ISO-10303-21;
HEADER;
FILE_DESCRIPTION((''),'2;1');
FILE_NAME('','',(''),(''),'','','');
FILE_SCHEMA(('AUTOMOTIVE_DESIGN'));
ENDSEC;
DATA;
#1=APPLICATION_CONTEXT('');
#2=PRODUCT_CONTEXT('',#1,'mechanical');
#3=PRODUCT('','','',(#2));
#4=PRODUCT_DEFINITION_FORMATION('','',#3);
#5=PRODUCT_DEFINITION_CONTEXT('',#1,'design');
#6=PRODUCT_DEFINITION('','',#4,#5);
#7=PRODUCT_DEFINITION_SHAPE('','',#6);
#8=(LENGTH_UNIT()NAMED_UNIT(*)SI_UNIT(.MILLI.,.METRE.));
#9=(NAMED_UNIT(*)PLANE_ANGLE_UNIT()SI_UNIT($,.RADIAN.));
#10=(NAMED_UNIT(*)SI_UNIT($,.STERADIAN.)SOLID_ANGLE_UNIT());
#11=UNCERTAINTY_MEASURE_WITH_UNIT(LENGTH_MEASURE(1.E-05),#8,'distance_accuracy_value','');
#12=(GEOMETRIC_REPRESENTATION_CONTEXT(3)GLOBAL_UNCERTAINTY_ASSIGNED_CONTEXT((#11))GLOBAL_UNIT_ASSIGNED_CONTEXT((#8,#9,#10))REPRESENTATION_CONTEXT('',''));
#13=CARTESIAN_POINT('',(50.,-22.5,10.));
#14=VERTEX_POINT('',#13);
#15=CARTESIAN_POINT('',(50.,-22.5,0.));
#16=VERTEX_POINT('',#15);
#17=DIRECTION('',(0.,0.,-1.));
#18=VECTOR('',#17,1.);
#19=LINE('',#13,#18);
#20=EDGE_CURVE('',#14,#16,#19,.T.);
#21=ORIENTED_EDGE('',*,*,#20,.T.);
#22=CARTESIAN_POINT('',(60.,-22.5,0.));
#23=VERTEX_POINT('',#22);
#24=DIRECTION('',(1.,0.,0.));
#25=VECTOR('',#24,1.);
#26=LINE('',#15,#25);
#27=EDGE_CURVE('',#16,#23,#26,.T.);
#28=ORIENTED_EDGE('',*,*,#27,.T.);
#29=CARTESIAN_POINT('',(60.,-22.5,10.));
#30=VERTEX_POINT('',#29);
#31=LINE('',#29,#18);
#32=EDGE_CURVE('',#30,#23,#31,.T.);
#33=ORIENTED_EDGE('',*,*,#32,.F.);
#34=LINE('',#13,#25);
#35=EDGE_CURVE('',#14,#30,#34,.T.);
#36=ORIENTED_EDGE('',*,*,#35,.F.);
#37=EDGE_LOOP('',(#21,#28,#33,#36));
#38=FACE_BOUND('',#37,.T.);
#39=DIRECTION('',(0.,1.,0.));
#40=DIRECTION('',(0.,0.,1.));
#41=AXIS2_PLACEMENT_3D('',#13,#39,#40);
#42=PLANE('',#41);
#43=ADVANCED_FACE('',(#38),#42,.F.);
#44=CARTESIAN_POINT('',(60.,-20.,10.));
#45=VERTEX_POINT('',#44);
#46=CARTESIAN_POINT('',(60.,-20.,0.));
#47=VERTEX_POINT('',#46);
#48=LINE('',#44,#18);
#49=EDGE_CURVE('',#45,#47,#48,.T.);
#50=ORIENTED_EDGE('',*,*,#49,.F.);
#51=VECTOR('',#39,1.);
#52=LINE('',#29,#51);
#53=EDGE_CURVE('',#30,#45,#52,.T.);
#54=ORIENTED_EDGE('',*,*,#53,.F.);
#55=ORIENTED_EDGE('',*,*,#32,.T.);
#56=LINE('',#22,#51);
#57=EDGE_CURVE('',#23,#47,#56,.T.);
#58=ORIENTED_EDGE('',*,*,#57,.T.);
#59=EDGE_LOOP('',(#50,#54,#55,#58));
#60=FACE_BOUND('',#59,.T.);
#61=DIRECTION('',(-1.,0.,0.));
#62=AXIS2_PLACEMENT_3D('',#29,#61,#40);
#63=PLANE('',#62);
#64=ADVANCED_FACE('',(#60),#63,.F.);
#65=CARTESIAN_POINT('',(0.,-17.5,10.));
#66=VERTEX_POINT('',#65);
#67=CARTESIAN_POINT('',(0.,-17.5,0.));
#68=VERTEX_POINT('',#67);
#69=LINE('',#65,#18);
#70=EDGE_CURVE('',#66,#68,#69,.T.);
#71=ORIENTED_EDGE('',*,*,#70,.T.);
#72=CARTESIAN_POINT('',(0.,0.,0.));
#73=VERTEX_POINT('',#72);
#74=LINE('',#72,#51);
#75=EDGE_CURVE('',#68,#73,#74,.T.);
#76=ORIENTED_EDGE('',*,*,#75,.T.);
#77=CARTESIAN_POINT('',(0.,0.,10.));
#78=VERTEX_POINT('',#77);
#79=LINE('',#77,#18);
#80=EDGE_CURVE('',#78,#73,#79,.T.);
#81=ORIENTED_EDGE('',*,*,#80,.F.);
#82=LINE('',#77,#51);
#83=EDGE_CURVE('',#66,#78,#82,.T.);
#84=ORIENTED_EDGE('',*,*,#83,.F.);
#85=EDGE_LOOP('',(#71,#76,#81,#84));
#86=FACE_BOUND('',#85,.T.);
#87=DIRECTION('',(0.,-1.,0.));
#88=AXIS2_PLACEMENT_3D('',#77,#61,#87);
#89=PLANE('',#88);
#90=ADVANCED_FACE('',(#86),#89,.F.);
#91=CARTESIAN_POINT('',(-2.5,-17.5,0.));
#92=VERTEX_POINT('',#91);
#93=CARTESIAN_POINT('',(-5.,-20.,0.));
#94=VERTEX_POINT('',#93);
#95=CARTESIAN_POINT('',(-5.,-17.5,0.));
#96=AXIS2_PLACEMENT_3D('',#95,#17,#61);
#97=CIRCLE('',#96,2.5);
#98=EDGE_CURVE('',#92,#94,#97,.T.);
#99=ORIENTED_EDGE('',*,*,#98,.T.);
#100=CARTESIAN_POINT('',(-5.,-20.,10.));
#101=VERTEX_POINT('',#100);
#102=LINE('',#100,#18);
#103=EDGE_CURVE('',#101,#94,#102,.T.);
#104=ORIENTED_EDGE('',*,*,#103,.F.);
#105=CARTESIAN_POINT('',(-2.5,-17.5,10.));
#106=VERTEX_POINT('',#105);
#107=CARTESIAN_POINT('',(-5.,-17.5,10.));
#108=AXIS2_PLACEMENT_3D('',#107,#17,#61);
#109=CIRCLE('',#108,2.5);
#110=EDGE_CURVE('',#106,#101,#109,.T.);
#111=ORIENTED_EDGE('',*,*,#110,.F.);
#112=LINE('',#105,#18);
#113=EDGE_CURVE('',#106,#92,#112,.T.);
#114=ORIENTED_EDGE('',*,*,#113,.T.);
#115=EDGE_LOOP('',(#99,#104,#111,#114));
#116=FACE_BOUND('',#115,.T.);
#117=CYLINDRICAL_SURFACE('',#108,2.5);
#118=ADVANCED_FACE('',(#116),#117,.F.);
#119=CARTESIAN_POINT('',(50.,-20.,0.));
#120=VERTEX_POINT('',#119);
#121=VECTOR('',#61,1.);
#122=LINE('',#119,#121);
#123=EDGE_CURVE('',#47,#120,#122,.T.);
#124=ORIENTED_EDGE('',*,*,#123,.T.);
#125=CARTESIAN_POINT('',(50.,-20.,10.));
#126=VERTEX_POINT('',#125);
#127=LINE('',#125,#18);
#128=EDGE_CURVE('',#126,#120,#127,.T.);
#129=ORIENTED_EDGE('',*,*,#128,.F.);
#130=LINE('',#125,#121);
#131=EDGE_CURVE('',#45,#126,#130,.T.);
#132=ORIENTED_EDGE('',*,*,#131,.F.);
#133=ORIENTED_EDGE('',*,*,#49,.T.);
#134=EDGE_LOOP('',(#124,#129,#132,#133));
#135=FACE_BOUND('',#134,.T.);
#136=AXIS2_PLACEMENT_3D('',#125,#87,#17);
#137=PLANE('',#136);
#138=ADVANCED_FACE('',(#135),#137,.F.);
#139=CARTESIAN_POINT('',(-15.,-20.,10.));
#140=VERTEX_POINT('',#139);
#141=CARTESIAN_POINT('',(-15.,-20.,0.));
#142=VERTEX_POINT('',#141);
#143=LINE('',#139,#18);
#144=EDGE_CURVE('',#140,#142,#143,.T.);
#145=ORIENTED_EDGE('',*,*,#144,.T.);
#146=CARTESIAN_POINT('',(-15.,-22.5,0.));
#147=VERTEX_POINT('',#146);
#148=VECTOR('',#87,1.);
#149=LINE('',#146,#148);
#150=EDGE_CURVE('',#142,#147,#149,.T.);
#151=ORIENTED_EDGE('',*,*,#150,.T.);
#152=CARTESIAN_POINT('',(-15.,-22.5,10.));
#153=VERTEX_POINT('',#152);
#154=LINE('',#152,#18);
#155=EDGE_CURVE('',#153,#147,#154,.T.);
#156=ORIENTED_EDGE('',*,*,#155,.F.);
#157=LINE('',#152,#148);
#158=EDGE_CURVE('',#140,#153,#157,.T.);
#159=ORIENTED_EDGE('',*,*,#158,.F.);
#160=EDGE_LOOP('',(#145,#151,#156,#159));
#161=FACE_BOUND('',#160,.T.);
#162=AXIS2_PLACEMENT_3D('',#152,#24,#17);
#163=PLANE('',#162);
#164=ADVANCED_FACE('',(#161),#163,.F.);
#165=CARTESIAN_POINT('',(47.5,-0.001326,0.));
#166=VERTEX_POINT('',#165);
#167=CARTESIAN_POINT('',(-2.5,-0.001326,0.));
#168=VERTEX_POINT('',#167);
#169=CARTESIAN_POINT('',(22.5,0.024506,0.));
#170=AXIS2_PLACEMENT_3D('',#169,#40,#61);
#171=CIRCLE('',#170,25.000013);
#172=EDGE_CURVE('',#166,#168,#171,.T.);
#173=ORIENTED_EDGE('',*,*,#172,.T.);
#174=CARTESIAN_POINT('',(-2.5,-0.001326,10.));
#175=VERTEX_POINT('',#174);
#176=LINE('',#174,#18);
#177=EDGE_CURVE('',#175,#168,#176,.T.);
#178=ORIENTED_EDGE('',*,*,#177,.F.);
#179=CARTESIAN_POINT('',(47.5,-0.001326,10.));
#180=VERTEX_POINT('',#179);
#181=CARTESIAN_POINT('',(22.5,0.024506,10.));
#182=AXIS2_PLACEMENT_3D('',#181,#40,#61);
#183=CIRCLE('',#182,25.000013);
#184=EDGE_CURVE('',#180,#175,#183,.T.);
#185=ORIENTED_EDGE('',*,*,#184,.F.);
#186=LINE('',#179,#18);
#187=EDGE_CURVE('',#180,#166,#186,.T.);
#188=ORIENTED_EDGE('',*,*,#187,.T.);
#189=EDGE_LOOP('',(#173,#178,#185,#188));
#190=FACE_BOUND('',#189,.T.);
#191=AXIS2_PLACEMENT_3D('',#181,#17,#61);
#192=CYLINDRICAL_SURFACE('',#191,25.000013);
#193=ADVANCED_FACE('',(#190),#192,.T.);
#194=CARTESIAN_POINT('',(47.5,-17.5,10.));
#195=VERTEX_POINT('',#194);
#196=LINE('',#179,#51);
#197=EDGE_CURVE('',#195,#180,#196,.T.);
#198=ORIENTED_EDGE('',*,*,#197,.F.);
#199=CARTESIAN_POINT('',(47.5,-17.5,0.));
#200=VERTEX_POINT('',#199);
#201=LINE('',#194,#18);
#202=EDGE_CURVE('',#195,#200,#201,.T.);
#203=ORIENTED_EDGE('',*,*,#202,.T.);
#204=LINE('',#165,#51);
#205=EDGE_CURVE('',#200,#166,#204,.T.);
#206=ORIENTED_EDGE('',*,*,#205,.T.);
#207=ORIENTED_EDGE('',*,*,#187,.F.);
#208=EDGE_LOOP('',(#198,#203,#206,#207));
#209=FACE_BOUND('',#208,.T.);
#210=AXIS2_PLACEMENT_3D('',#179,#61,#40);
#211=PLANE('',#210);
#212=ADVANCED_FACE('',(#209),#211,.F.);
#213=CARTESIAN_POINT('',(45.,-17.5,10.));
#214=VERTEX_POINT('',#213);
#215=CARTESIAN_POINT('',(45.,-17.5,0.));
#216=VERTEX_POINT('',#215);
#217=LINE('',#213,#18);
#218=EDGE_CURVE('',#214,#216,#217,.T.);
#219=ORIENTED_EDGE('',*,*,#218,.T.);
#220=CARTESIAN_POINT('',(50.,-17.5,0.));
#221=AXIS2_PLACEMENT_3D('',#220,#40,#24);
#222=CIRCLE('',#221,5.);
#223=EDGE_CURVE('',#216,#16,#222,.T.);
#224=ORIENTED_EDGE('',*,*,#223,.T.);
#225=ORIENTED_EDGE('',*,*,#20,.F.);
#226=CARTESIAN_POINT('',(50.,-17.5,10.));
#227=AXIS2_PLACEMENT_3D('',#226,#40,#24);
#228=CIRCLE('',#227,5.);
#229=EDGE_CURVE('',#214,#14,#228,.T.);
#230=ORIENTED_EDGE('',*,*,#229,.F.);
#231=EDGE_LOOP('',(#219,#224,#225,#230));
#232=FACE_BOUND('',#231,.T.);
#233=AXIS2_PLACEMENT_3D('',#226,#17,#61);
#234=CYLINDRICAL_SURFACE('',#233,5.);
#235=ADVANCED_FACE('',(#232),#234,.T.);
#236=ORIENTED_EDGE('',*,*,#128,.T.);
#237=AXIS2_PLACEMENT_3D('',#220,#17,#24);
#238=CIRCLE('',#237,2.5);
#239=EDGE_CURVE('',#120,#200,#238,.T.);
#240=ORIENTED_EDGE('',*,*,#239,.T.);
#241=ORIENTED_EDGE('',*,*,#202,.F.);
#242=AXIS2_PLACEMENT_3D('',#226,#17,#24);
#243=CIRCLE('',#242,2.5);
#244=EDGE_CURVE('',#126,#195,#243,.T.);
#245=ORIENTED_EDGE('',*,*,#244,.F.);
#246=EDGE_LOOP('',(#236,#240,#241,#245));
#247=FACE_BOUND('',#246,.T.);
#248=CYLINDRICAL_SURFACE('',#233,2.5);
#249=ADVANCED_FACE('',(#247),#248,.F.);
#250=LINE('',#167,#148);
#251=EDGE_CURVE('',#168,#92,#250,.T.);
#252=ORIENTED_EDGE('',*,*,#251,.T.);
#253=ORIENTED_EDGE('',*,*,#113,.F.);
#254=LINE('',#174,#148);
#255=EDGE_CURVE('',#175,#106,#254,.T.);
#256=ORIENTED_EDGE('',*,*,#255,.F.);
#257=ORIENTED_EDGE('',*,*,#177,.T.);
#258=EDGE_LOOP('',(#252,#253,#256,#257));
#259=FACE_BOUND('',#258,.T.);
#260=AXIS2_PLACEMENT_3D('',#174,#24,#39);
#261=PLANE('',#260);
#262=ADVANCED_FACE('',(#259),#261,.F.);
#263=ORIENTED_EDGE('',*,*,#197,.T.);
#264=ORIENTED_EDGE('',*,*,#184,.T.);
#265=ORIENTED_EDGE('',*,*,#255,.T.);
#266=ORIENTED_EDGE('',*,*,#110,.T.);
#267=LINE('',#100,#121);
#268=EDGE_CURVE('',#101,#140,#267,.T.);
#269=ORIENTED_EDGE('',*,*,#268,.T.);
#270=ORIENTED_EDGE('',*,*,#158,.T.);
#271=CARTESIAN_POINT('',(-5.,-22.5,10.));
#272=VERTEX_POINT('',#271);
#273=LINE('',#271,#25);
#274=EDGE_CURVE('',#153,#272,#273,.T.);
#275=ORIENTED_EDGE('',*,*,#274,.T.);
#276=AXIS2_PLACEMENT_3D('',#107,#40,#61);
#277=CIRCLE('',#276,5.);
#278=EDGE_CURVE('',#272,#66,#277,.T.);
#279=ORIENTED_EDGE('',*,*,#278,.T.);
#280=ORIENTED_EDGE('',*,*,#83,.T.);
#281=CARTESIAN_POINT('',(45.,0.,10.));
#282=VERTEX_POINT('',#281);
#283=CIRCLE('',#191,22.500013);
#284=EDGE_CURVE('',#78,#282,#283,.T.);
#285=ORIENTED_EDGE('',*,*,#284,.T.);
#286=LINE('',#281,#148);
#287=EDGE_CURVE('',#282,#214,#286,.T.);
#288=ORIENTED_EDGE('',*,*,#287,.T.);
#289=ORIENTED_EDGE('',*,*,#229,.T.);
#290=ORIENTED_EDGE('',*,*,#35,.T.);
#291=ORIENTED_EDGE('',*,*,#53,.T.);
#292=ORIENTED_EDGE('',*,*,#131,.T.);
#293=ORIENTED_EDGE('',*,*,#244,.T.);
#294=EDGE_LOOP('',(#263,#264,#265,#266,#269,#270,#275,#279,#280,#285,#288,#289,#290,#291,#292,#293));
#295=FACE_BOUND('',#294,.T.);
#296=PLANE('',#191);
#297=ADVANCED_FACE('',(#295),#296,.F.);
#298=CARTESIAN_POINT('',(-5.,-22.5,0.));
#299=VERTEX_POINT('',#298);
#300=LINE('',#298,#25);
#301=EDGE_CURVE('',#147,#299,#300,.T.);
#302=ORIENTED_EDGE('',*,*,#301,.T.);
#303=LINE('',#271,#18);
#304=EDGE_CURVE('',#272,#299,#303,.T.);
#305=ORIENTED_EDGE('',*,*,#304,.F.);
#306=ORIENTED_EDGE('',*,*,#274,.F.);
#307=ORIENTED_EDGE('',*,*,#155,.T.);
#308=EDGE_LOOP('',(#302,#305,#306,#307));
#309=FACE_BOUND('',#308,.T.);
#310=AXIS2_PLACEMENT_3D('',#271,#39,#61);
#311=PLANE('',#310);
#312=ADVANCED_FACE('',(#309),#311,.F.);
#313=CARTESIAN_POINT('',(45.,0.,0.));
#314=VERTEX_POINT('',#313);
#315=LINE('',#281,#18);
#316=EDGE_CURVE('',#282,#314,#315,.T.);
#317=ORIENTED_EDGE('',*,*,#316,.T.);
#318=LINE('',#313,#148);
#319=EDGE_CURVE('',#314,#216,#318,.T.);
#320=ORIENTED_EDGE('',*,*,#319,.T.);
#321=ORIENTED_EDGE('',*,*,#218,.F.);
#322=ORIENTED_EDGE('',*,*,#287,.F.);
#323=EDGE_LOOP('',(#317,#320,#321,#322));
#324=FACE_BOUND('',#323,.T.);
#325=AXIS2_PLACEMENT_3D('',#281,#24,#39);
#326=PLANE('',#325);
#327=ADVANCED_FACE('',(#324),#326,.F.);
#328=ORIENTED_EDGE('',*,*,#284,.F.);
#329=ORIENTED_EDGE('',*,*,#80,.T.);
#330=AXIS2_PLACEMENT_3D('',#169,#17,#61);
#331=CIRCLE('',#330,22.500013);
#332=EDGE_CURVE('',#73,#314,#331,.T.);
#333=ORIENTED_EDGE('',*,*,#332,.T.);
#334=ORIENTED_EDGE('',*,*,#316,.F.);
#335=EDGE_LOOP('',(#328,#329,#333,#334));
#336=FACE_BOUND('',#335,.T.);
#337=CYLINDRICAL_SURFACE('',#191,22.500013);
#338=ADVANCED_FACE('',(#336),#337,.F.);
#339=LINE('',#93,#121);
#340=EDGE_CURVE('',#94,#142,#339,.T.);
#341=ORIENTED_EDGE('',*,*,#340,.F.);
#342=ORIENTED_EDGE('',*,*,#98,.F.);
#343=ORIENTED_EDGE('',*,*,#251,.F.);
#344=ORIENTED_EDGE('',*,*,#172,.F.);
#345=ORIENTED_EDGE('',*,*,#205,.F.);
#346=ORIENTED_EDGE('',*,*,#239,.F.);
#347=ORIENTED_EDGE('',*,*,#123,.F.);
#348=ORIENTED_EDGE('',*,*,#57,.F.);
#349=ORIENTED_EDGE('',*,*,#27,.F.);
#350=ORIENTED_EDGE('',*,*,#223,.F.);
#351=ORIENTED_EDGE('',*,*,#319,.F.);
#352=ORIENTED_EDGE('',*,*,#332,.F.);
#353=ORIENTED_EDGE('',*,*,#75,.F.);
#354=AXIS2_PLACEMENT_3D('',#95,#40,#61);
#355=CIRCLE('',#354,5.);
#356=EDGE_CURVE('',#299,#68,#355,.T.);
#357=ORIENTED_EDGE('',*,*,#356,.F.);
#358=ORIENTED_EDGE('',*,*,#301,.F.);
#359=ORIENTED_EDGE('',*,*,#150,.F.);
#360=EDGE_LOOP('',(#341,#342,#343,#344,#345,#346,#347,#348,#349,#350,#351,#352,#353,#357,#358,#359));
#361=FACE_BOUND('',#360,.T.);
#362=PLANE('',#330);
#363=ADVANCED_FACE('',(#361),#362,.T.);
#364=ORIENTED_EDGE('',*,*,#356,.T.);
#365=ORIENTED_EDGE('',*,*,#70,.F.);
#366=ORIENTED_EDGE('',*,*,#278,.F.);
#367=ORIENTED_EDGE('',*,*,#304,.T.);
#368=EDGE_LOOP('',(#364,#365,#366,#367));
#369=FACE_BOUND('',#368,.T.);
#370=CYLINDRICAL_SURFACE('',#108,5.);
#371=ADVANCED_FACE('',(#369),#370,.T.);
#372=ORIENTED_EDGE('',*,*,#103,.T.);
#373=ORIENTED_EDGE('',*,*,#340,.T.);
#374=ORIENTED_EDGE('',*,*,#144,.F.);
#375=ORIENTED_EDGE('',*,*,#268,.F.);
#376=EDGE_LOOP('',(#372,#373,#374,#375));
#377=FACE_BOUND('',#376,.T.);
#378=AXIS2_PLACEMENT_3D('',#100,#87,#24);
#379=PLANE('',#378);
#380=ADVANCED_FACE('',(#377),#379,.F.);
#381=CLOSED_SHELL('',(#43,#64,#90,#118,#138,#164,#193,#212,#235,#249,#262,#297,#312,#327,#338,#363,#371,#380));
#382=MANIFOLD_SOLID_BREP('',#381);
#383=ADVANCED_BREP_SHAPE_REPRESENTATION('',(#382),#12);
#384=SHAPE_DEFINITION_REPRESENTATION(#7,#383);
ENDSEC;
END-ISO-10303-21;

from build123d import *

# Parameters (mm, degrees)
BOSS_EXTRUDE3_DEPTH = 10


with BuildPart() as part:
    # Sketch5 → Boss-Extrude3 (new body)
    with BuildSketch(Plane.XY):
        with BuildLine():
            Line((0, 0), (0, -17.5))
            ThreePointArc((0, -17.5), (-1.464466094, -21.035533906), (-5, -22.5))
            Line((-5, -22.5), (-15, -22.5))
            Line((-15, -22.5), (-15, -20))
            Line((-15, -20), (-5, -20))
            ThreePointArc((-5, -20), (-3.232233047, -19.267766953), (-2.5, -17.5))
            Line((-2.5, -17.5), (-2.5, -0.001325618))
            ThreePointArc((-2.5, -0.001325618), (22.5, 25.024519835), (47.5, -0.001325618))
            Line((47.5, -0.001325618), (47.5, -17.5))
            ThreePointArc((47.5, -17.5), (48.232233047, -19.267766953), (50, -20))
            Line((50, -20), (60, -20))
            Line((60, -20), (60, -22.5))
            Line((60, -22.5), (50, -22.5))
            ThreePointArc((50, -22.5), (46.464466094, -21.035533906), (45, -17.5))
            Line((45, -17.5), (45, 0))
            ThreePointArc((45, 0), (22.5, 22.524519835), (0, 0))
        make_face()
    extrude(amount=BOSS_EXTRUDE3_DEPTH)


solid = part.part
